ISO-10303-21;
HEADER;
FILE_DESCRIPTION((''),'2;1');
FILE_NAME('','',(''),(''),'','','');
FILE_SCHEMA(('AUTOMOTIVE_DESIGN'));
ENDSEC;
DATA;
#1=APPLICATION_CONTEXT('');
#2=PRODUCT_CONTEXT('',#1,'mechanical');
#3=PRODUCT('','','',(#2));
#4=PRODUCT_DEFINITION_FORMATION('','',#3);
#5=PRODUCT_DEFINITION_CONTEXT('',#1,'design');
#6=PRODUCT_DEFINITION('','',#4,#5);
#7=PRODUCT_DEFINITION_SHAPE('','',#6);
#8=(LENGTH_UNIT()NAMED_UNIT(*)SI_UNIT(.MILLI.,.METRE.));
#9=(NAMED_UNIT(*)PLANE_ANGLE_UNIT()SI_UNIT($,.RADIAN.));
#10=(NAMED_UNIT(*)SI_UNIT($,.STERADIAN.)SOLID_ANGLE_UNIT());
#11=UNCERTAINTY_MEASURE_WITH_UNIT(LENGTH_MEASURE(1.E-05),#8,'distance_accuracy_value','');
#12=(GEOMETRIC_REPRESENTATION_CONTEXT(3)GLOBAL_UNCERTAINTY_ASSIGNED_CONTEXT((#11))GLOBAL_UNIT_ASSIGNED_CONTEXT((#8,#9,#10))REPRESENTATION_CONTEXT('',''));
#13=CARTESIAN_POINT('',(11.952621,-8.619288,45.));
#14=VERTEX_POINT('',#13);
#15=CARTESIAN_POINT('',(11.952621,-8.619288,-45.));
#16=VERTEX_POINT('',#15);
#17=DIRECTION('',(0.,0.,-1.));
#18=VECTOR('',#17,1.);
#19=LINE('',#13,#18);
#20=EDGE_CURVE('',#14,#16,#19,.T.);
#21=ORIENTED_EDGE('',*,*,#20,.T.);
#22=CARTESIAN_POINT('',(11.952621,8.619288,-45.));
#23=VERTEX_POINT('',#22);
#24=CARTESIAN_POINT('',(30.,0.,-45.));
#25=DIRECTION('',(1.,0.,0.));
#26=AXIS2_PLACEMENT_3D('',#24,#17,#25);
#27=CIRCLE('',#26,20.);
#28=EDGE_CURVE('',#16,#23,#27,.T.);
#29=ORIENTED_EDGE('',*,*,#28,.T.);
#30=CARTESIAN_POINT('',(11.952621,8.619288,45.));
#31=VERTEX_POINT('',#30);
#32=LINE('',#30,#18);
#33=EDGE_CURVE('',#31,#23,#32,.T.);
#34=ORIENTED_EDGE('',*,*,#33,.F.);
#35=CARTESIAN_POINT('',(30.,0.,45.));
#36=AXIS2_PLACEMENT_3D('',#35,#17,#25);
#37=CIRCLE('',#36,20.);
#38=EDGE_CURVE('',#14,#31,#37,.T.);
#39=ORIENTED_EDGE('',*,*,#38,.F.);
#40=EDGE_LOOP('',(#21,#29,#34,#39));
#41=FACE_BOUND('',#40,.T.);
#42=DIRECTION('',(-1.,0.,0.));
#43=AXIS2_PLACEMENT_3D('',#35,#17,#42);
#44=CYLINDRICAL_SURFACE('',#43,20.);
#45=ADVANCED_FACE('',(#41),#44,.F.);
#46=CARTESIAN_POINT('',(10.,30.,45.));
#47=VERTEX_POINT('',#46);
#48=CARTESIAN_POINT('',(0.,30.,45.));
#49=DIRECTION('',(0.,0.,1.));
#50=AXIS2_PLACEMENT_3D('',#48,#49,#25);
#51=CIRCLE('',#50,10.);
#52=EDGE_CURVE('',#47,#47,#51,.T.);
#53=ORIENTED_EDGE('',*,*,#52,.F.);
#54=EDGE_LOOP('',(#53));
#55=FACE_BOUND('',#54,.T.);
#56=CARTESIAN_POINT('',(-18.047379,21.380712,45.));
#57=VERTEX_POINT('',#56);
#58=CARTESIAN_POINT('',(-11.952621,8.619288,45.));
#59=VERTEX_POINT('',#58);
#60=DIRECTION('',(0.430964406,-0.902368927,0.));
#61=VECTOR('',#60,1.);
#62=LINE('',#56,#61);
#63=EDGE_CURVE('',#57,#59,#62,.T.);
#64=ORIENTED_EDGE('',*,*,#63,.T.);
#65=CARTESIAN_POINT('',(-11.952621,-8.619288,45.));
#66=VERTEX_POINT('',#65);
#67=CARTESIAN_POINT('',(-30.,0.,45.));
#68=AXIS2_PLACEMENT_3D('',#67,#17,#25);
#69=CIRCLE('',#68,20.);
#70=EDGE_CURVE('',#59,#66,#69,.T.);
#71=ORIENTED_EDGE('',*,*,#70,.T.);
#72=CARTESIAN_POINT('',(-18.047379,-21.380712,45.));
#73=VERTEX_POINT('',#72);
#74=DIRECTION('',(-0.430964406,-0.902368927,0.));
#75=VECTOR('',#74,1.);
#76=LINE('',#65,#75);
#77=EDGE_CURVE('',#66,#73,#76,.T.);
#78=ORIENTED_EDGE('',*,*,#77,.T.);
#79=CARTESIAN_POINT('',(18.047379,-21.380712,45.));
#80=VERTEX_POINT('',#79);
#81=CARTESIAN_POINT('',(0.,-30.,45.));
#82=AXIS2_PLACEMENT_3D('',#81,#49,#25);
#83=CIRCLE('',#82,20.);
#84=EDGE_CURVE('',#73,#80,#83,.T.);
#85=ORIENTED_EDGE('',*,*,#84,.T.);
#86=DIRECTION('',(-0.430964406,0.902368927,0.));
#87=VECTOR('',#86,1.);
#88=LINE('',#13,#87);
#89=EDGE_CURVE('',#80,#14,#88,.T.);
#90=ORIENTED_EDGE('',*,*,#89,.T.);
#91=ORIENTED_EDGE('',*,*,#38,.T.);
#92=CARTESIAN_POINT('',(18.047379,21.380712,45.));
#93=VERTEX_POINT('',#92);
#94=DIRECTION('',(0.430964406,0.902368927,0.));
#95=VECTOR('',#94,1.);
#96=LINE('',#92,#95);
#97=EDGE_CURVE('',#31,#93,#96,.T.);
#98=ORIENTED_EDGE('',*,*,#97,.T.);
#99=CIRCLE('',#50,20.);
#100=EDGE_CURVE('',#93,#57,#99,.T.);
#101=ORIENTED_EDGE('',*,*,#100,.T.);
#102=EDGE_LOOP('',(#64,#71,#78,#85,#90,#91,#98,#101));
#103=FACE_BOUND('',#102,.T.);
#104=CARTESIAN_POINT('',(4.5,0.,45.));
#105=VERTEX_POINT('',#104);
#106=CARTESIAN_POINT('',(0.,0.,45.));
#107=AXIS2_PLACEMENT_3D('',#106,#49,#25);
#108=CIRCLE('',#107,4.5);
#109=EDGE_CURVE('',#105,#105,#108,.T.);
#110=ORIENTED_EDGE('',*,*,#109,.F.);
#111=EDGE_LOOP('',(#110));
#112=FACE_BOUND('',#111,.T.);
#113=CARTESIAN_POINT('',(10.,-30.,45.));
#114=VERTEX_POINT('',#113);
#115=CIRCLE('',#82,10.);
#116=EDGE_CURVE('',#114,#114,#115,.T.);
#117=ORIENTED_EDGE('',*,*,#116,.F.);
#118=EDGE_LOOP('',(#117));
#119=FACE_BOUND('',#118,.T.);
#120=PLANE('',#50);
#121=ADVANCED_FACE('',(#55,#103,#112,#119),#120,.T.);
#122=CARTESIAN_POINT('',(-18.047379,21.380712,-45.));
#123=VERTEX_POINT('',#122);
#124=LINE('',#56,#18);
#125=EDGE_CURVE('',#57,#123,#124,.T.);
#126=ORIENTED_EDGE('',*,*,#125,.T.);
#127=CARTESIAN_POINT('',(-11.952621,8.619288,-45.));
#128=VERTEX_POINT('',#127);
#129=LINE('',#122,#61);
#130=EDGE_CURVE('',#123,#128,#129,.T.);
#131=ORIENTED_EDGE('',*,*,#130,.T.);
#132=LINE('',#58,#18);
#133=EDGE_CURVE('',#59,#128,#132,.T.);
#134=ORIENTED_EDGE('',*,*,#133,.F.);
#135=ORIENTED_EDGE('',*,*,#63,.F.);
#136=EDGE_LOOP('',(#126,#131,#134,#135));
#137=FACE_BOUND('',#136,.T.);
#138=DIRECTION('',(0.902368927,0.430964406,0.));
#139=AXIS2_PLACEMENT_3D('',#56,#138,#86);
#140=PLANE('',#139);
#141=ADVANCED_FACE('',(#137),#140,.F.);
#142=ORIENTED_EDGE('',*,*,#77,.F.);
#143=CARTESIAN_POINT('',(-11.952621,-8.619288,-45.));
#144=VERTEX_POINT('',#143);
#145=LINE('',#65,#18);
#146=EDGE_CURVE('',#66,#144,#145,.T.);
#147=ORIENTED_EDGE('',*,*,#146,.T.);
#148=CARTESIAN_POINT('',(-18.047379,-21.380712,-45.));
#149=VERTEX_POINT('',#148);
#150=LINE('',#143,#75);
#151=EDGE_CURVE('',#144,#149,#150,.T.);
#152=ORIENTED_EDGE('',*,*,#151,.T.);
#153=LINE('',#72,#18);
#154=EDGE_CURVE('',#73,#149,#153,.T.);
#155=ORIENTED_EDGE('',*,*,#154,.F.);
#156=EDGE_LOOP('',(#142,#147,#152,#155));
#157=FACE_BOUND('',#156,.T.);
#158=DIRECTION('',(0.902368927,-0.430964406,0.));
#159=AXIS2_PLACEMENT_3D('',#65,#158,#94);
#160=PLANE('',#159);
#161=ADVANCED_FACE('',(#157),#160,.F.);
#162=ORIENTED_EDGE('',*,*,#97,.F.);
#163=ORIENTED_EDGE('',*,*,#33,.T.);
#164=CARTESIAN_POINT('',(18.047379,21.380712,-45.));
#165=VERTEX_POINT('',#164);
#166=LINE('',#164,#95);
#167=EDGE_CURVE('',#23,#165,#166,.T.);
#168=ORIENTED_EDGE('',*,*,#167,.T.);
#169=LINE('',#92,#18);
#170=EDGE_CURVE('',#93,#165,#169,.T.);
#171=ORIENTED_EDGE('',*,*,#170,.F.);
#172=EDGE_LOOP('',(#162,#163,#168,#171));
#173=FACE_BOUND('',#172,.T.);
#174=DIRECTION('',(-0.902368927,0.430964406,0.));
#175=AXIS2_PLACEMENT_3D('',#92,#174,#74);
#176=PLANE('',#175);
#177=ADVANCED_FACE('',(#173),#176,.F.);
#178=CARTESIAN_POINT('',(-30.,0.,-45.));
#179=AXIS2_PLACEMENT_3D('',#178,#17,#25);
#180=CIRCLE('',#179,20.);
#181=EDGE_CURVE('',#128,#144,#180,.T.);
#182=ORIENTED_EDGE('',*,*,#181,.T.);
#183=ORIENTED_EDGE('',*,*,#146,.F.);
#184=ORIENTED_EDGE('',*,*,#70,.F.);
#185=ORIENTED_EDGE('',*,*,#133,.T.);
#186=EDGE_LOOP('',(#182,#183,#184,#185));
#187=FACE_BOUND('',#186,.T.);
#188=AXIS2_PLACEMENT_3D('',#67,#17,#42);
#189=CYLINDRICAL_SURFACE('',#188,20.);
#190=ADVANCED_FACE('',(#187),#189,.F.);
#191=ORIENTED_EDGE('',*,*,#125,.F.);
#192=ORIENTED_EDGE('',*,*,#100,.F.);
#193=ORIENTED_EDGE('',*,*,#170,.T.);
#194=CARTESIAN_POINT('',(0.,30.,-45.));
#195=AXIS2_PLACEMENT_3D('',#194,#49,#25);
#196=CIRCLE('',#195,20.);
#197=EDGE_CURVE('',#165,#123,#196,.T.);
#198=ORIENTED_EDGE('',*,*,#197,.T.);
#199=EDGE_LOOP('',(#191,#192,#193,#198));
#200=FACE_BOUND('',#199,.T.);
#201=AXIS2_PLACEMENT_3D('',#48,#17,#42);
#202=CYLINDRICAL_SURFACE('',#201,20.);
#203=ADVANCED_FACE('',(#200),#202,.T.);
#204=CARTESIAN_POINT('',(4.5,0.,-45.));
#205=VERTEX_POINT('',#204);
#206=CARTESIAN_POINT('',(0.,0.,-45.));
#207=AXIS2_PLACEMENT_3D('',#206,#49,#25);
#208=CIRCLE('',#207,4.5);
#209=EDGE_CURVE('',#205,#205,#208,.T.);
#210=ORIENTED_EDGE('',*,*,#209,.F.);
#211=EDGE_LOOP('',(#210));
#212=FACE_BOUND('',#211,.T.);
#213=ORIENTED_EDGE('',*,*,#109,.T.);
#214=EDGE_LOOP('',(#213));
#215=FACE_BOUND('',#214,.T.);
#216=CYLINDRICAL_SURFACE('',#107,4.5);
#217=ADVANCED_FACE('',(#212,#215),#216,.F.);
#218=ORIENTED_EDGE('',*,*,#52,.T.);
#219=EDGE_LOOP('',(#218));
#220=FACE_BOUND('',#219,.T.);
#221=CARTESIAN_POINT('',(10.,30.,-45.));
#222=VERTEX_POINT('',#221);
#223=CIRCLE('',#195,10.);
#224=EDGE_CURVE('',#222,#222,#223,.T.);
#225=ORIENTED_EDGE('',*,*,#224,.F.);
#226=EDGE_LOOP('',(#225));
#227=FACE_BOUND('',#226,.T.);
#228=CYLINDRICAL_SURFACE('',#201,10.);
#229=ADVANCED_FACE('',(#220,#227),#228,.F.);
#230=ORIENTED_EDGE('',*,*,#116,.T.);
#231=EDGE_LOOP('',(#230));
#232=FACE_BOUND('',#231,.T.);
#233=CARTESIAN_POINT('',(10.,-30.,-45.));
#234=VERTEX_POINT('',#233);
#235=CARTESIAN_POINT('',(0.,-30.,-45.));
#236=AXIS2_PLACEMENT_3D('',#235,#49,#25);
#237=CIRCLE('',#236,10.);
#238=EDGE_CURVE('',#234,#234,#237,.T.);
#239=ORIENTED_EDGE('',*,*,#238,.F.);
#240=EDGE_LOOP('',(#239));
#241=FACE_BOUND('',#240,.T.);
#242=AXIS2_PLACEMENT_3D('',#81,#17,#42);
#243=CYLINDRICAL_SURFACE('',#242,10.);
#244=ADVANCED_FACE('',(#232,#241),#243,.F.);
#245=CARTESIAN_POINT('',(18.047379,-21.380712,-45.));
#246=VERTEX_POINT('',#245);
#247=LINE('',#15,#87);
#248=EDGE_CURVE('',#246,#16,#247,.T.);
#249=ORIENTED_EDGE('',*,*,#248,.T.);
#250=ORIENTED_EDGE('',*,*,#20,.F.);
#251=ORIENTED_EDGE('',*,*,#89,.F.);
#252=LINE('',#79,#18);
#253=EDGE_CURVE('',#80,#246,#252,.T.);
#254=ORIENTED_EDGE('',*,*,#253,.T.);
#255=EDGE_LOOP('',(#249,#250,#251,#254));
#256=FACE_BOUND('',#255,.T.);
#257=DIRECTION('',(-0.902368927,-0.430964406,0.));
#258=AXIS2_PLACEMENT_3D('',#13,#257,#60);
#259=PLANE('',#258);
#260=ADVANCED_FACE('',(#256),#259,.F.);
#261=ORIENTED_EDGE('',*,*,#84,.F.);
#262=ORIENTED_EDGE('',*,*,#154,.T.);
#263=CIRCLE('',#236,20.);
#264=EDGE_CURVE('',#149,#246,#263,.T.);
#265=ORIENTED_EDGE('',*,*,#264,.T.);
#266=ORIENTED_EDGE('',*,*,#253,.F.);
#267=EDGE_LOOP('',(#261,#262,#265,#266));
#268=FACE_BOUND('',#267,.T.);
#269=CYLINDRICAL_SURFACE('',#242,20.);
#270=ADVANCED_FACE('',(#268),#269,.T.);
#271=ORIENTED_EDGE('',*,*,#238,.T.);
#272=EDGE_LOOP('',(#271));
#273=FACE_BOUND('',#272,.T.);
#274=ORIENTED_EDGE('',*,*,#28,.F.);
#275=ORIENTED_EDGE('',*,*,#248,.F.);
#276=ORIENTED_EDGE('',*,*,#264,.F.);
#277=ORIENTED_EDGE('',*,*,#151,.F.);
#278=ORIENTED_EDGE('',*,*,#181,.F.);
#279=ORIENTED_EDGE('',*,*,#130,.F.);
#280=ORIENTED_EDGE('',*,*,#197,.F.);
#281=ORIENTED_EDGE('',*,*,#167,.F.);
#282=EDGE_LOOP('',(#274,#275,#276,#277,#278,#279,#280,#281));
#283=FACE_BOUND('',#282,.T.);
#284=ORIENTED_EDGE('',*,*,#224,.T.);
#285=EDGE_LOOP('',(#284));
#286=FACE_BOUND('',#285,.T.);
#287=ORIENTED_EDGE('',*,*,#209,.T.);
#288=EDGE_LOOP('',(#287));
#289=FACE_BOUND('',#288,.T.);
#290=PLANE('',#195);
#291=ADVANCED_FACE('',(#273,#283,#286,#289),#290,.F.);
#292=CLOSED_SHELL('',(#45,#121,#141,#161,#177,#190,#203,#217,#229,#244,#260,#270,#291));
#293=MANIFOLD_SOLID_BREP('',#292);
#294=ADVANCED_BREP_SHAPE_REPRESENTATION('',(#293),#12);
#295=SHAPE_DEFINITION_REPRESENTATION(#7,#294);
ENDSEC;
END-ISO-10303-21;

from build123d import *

# Parameters (mm, degrees)
SKETCH1_R              = 10
BOSS_EXTRUDE1_DEPTH    = 45
M10X1_0_TAPPED_HOLE1_D = 9


with BuildPart() as part:
    # Sketch1 → Boss-Extrude1 (new body, symmetric)
    with BuildSketch(Plane.XY):
        with BuildLine():
            Line((-18.047378541, 21.380711875), (-11.952621459, 8.619288125))
            ThreePointArc((-11.952621459, 8.619288125), (-10, 0), (-11.952621459, -8.619288125))
            Line((-11.952621459, -8.619288125), (-18.047378541, -21.380711875))
            ThreePointArc((-18.047378541, -21.380711875), (0, -50), (18.047378541, -21.380711875))
            Line((18.047378541, -21.380711875), (11.952621459, -8.619288125))
            ThreePointArc((11.952621459, -8.619288125), (10, 0), (11.952621459, 8.619288125))
            Line((11.952621459, 8.619288125), (18.047378541, 21.380711875))
            ThreePointArc((18.047378541, 21.380711875), (0, 50), (-18.047378541, 21.380711875))
        make_face()
        with Locations((0, 30)):
            Circle(SKETCH1_R, mode=Mode.SUBTRACT)
        with Locations((0, -30)):
            Circle(SKETCH1_R, mode=Mode.SUBTRACT)
    extrude(amount=BOSS_EXTRUDE1_DEPTH, both=True)

    # M10x1.0 Tapped Hole1 (through all)
    with Locations(Plane.XY.offset(45)):
        with Locations((0, 0)):
            Hole(M10X1_0_TAPPED_HOLE1_D / 2)


solid = part.part
